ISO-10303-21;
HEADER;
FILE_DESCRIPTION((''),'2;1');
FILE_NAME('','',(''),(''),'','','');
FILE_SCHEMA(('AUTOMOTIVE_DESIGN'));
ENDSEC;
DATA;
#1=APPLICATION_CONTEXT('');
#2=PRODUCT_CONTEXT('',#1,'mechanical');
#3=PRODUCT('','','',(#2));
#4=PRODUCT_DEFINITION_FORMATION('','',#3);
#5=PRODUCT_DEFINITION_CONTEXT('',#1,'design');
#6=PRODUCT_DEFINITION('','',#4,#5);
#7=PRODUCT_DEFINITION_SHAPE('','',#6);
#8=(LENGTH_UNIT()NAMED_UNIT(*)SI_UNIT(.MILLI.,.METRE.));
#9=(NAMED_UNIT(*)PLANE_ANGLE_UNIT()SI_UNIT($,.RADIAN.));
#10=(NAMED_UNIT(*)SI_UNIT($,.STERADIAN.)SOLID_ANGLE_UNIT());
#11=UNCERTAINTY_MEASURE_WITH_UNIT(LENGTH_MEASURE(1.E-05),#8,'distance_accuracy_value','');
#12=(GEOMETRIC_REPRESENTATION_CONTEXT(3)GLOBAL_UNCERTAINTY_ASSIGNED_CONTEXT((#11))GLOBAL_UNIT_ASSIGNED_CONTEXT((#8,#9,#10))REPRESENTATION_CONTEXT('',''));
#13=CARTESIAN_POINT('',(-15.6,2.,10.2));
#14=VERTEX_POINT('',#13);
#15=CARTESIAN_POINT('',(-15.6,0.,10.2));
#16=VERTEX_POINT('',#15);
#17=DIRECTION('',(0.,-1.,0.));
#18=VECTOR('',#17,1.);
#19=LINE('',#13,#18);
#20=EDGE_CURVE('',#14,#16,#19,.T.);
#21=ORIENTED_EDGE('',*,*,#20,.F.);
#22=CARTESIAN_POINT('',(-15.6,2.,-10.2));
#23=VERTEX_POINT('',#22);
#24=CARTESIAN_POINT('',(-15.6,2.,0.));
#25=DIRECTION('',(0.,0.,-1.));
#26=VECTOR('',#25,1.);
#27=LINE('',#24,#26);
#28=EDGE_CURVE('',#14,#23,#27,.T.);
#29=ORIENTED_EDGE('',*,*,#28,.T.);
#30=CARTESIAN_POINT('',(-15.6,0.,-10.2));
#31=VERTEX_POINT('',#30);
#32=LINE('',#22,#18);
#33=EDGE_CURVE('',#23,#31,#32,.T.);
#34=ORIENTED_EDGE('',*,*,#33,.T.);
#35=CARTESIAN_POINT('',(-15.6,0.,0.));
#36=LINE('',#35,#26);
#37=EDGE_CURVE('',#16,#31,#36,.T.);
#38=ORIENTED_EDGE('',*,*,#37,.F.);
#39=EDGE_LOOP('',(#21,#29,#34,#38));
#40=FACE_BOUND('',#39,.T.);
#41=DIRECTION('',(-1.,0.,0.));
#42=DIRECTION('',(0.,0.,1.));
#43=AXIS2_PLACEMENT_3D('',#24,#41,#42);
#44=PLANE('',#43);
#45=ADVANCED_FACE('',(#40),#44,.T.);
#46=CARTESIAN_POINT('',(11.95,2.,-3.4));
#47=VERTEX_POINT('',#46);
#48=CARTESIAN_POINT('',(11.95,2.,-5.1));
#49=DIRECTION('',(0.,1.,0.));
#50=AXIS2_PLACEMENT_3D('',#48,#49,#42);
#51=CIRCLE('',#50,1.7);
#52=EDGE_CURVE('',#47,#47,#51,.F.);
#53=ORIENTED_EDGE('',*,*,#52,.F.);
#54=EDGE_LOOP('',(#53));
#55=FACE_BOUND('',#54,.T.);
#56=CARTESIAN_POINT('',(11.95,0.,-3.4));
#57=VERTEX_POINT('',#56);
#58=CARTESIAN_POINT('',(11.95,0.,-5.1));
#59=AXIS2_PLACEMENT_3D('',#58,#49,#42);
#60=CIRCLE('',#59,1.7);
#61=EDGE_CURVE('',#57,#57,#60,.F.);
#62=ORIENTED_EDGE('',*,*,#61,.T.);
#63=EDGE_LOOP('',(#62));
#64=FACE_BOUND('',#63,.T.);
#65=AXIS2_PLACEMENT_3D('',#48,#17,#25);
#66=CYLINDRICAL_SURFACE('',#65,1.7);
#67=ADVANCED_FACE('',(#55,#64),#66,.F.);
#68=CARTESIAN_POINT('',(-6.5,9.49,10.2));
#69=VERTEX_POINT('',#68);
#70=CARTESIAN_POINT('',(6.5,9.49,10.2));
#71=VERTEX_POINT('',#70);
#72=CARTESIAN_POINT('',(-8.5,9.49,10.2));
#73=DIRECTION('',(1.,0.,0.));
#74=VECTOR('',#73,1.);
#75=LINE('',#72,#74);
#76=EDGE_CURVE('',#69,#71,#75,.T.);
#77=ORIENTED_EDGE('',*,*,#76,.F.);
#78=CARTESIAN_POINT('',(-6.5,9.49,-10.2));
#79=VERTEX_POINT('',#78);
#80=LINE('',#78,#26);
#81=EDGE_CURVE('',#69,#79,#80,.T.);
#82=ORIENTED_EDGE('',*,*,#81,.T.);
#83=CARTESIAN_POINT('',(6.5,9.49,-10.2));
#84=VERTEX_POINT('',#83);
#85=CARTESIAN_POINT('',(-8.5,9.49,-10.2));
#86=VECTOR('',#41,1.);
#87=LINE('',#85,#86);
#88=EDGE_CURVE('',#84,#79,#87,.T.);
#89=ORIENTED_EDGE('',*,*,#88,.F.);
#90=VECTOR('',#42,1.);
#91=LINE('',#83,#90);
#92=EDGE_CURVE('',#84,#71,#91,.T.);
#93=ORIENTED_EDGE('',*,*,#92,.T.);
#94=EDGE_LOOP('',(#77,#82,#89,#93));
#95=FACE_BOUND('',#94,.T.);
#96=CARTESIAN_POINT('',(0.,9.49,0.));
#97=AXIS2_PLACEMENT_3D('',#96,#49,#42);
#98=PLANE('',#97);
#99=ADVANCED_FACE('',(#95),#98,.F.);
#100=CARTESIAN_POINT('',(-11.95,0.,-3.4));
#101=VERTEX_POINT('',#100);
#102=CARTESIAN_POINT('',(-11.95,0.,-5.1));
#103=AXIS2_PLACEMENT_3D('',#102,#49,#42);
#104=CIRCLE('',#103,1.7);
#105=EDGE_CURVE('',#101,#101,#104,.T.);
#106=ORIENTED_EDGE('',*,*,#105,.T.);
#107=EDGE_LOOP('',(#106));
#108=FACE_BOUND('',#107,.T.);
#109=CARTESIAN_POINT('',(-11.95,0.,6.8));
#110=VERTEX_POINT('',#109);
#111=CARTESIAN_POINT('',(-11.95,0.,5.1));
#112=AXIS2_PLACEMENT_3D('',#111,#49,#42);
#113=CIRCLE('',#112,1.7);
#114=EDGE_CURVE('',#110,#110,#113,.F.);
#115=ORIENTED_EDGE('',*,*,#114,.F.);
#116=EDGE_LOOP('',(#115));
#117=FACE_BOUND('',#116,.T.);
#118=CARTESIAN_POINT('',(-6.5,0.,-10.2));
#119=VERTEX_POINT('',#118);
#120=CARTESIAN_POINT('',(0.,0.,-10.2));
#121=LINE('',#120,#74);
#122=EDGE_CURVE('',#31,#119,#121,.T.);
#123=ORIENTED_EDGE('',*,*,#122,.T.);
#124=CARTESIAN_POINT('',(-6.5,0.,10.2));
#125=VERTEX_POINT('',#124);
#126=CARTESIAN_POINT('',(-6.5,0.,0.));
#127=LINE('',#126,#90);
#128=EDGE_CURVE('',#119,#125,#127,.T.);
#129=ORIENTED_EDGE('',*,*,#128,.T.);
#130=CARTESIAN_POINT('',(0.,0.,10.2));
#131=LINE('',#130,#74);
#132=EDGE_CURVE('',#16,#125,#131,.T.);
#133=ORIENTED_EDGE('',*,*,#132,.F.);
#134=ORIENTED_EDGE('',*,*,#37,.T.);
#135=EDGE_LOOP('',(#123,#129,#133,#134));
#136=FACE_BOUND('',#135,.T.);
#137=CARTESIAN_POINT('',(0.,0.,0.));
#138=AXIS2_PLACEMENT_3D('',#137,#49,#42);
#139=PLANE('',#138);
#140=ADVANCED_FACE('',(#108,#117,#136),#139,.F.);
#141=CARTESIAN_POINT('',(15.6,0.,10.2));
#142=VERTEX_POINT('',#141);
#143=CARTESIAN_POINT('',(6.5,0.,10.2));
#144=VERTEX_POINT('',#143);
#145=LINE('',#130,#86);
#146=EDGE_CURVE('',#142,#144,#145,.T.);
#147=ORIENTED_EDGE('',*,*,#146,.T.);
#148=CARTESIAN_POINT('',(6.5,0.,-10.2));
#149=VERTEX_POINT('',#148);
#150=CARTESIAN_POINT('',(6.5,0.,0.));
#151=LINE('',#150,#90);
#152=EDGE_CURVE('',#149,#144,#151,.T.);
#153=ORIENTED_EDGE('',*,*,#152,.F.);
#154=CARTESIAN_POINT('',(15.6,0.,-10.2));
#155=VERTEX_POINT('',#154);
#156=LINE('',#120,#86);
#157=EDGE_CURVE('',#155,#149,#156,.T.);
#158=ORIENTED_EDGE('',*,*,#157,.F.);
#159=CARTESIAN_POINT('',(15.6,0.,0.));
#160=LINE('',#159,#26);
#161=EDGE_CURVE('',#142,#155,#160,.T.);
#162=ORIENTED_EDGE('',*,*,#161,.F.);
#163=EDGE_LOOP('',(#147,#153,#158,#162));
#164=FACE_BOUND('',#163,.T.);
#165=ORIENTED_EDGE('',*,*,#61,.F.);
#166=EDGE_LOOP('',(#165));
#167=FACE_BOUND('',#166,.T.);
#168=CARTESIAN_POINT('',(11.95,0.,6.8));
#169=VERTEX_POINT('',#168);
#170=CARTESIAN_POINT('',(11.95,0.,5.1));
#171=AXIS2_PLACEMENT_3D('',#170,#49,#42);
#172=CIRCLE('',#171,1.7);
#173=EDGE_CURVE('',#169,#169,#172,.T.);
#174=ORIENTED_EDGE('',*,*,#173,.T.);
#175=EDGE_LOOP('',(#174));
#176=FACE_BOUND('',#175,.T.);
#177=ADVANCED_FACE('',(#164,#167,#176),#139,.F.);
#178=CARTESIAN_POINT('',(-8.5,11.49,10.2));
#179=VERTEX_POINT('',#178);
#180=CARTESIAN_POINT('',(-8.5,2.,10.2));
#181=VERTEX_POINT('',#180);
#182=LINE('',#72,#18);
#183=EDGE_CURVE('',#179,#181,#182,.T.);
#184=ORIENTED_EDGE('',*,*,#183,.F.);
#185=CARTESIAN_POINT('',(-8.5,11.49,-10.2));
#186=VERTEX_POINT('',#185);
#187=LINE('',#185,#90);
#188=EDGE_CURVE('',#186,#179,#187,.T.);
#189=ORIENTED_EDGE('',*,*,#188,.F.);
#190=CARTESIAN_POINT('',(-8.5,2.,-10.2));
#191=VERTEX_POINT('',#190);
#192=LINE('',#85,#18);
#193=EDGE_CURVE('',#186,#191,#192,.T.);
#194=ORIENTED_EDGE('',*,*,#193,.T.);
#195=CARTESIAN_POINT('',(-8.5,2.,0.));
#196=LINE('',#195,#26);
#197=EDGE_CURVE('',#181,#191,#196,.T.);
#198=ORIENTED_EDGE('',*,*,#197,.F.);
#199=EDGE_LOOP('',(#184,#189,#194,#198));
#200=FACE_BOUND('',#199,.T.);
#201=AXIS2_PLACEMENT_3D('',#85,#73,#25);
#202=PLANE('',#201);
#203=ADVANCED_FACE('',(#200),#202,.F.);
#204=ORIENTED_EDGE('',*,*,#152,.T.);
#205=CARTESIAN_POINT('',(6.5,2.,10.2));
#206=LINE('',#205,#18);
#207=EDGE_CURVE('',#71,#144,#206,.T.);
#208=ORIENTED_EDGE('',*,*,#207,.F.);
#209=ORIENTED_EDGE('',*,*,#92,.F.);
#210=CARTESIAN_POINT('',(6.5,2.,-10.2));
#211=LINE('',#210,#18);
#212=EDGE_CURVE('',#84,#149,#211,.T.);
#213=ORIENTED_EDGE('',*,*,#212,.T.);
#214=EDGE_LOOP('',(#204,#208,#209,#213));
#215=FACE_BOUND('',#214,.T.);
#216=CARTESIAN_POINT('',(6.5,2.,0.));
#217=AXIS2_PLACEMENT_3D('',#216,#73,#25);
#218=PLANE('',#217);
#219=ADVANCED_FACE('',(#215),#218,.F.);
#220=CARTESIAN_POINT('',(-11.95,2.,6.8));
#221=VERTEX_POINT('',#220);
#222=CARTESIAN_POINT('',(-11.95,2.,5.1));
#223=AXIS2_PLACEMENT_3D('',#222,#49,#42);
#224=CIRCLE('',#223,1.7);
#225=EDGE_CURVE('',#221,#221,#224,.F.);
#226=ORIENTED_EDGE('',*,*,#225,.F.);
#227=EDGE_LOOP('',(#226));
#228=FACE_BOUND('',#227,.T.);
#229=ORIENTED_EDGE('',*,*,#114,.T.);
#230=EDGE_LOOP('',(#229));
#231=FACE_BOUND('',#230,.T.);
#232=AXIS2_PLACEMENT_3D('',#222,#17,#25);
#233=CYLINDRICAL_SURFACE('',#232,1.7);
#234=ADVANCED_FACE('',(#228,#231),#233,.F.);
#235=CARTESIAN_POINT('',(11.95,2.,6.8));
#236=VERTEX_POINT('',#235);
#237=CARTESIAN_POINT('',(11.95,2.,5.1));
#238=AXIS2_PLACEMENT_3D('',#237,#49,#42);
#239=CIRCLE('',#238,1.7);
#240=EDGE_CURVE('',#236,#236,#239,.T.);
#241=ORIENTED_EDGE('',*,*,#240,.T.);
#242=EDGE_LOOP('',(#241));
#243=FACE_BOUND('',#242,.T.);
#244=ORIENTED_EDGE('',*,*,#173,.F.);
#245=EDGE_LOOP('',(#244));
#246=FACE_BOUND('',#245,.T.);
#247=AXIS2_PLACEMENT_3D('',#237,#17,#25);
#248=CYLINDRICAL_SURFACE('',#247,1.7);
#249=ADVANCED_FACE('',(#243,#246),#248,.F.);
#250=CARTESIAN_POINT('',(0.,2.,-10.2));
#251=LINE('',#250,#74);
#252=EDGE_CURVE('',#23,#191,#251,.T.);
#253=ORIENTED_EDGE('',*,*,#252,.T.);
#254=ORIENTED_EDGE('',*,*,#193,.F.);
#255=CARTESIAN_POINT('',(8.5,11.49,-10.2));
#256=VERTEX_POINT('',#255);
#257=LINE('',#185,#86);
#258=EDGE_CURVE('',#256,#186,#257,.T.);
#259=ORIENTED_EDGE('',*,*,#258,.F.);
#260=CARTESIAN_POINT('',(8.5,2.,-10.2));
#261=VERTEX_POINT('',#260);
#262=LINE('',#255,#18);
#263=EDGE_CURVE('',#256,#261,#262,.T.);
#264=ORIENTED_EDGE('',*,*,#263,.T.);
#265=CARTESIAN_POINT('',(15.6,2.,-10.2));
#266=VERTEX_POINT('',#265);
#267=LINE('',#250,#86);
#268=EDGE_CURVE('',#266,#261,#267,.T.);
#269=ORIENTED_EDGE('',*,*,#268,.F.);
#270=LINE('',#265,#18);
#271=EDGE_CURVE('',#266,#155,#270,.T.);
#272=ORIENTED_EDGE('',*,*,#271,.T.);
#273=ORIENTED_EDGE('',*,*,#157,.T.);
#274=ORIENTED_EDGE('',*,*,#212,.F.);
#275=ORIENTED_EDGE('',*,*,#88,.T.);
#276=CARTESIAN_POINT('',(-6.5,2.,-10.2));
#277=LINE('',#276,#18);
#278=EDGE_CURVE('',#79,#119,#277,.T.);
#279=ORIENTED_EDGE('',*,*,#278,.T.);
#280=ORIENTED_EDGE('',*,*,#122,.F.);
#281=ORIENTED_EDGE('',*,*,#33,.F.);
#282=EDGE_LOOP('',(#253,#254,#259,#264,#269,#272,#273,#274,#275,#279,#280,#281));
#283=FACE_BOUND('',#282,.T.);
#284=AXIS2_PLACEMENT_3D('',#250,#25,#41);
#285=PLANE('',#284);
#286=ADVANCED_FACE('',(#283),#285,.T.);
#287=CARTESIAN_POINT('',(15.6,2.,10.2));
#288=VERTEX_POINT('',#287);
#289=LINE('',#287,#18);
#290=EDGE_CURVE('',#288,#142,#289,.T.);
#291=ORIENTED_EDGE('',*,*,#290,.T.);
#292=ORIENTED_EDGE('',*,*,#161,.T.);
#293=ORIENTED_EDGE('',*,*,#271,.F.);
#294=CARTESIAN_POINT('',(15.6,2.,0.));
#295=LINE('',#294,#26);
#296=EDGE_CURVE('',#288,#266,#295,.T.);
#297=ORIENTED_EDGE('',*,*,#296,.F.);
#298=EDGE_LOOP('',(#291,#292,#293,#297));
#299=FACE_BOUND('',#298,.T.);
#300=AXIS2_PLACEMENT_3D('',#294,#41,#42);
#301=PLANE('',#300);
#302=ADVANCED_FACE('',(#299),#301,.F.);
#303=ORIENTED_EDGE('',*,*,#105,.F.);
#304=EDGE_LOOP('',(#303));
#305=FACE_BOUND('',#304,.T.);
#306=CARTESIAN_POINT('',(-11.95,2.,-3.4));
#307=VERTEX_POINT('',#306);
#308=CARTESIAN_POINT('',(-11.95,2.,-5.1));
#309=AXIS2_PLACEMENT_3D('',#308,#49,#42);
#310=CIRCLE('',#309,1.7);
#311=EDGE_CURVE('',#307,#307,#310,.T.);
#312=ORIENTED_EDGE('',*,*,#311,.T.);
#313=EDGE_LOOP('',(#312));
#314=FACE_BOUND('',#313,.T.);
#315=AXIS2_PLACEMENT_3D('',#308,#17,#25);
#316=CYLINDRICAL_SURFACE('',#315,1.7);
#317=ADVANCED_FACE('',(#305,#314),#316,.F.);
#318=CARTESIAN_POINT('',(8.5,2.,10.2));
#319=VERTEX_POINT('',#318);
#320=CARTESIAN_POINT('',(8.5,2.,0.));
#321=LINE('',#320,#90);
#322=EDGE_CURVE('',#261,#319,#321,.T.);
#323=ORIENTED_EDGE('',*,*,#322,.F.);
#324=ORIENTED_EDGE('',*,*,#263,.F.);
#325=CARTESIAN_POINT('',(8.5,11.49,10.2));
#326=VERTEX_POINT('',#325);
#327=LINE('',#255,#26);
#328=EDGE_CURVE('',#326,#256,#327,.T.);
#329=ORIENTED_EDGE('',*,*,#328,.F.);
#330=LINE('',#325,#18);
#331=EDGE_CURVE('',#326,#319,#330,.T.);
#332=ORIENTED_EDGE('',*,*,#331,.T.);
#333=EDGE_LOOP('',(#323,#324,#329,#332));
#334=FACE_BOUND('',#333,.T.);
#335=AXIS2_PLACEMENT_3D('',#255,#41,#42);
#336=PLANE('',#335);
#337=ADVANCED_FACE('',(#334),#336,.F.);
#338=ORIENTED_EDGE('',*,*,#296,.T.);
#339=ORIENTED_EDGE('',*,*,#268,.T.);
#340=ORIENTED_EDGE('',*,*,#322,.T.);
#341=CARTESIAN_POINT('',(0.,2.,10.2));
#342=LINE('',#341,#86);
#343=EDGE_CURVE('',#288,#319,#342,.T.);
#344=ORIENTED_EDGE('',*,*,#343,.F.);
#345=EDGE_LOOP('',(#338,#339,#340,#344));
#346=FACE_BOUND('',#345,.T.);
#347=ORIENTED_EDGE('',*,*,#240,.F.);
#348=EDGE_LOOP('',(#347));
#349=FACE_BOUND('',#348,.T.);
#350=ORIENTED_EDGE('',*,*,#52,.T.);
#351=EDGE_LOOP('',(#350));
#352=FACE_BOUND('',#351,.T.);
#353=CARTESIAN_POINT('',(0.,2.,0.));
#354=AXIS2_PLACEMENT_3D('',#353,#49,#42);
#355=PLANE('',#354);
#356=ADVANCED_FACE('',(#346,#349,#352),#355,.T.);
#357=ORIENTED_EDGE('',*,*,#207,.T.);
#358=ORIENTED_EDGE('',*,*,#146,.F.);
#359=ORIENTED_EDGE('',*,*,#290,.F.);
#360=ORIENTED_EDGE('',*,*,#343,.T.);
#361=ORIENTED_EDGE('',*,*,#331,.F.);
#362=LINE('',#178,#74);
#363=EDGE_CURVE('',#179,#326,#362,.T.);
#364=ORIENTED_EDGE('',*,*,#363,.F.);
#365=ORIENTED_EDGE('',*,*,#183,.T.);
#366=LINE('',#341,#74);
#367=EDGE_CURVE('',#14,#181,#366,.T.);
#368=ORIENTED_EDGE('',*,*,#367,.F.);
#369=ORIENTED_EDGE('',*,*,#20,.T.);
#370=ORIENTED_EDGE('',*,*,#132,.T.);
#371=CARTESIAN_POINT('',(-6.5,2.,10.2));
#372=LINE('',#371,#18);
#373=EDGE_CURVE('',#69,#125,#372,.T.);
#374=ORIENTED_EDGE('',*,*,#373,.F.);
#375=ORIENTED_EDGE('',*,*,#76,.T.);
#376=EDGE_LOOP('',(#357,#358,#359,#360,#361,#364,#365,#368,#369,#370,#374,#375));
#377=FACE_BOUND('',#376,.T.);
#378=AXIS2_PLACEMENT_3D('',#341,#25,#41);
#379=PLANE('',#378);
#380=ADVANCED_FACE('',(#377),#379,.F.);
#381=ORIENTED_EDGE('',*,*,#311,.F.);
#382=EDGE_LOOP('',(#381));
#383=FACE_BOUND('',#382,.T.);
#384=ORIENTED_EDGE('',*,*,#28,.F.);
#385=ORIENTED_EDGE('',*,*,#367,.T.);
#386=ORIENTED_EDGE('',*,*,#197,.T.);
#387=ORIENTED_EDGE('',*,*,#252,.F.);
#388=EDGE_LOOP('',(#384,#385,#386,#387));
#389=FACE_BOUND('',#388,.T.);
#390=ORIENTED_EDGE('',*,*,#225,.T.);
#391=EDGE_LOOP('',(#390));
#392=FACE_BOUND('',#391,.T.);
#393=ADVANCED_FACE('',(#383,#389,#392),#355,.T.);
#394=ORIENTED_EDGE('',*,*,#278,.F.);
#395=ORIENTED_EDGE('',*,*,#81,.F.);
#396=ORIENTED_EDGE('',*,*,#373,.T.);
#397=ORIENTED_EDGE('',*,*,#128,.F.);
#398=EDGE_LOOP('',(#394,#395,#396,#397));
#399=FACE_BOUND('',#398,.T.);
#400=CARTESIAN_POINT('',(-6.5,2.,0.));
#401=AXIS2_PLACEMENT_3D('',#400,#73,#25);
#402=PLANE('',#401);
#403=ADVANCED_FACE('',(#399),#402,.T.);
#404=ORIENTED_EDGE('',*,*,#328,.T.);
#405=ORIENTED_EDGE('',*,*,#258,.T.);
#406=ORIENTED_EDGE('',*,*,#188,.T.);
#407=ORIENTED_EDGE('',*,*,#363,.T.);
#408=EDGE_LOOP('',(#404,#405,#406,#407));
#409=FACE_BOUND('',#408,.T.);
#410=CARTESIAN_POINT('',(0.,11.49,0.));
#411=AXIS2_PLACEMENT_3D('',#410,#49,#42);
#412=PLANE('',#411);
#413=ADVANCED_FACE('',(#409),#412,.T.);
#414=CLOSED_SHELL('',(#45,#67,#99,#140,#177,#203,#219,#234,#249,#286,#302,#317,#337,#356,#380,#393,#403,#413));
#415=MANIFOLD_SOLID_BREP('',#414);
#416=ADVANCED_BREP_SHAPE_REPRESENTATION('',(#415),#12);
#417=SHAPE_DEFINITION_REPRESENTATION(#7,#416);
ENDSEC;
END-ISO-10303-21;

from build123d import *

# Parameters (mm, degrees)
SKETCH1_W             = 9.1
SKETCH1_H             = 20.4
SKETCH1_R             = 1.7
BOSS_EXTRUDE1_DEPTH   = 2
BOSS_EXTRUDE1_2_DEPTH = 2
SKETCH2_W             = 2
SKETCH2_H             = 20.4
BOSS_EXTRUDE2_DEPTH   = 9.49
SKETCH3_W             = 17
SKETCH3_H             = 20.4
BOSS_EXTRUDE3_DEPTH   = 2


with BuildPart() as part:
    # Sketch1 → Boss-Extrude1 (new body)
    with BuildSketch(Plane(origin=(0, 0, 0), x_dir=(1, 0, 0), z_dir=(0, 1, 0))):
        with Locations((-11.05, 0)):
            Rectangle(SKETCH1_W, SKETCH1_H)
        with Locations(Location((-11.95, -5.1, 0), (0, 0, 270))):
            Circle(SKETCH1_R, mode=Mode.SUBTRACT)
        with Locations(Location((-11.95, 5.1, 0), (0, 0, 270))):
            Circle(SKETCH1_R, mode=Mode.SUBTRACT)
    extrude(amount=BOSS_EXTRUDE1_DEPTH)



with BuildPart() as body_2:
    # Sketch1 → Boss-Extrude1 2 (new body)
    with BuildSketch(Plane(origin=(0, 0, 0), x_dir=(1, 0, 0), z_dir=(0, 1, 0))):
        with Locations((11.05, 0)):
            Rectangle(SKETCH1_W, SKETCH1_H)
        with Locations(Location((11.95, -5.1, 0), (0, 0, 270))):
            Circle(SKETCH1_R, mode=Mode.SUBTRACT)
        with Locations(Location((11.95, 5.1, 0), (0, 0, 270))):
            Circle(SKETCH1_R, mode=Mode.SUBTRACT)
    extrude(amount=BOSS_EXTRUDE1_2_DEPTH)


with BuildPart() as part_1:
    add(part.part)

    add(body_2.part)  # Boss-Extrude2 merges body 2
    # Sketch2 → Boss-Extrude2 (add)
    with BuildSketch(Plane(origin=(0, 0, 0), x_dir=(1, 0, 0), z_dir=(0, 1, 0))):
        with Locations((-7.5, 0)):
            Rectangle(SKETCH2_W, SKETCH2_H)
        with Locations((7.5, 0)):
            Rectangle(SKETCH2_W, SKETCH2_H)
    extrude(amount=BOSS_EXTRUDE2_DEPTH)

    # Sketch3 → Boss-Extrude3 (add)
    with BuildSketch(Plane(origin=(0, 9.49, 0), x_dir=(1, 0, 0), z_dir=(0, 1, 0))):
        Rectangle(SKETCH3_W, SKETCH3_H)
    extrude(amount=BOSS_EXTRUDE3_DEPTH)


solid = part_1.part
